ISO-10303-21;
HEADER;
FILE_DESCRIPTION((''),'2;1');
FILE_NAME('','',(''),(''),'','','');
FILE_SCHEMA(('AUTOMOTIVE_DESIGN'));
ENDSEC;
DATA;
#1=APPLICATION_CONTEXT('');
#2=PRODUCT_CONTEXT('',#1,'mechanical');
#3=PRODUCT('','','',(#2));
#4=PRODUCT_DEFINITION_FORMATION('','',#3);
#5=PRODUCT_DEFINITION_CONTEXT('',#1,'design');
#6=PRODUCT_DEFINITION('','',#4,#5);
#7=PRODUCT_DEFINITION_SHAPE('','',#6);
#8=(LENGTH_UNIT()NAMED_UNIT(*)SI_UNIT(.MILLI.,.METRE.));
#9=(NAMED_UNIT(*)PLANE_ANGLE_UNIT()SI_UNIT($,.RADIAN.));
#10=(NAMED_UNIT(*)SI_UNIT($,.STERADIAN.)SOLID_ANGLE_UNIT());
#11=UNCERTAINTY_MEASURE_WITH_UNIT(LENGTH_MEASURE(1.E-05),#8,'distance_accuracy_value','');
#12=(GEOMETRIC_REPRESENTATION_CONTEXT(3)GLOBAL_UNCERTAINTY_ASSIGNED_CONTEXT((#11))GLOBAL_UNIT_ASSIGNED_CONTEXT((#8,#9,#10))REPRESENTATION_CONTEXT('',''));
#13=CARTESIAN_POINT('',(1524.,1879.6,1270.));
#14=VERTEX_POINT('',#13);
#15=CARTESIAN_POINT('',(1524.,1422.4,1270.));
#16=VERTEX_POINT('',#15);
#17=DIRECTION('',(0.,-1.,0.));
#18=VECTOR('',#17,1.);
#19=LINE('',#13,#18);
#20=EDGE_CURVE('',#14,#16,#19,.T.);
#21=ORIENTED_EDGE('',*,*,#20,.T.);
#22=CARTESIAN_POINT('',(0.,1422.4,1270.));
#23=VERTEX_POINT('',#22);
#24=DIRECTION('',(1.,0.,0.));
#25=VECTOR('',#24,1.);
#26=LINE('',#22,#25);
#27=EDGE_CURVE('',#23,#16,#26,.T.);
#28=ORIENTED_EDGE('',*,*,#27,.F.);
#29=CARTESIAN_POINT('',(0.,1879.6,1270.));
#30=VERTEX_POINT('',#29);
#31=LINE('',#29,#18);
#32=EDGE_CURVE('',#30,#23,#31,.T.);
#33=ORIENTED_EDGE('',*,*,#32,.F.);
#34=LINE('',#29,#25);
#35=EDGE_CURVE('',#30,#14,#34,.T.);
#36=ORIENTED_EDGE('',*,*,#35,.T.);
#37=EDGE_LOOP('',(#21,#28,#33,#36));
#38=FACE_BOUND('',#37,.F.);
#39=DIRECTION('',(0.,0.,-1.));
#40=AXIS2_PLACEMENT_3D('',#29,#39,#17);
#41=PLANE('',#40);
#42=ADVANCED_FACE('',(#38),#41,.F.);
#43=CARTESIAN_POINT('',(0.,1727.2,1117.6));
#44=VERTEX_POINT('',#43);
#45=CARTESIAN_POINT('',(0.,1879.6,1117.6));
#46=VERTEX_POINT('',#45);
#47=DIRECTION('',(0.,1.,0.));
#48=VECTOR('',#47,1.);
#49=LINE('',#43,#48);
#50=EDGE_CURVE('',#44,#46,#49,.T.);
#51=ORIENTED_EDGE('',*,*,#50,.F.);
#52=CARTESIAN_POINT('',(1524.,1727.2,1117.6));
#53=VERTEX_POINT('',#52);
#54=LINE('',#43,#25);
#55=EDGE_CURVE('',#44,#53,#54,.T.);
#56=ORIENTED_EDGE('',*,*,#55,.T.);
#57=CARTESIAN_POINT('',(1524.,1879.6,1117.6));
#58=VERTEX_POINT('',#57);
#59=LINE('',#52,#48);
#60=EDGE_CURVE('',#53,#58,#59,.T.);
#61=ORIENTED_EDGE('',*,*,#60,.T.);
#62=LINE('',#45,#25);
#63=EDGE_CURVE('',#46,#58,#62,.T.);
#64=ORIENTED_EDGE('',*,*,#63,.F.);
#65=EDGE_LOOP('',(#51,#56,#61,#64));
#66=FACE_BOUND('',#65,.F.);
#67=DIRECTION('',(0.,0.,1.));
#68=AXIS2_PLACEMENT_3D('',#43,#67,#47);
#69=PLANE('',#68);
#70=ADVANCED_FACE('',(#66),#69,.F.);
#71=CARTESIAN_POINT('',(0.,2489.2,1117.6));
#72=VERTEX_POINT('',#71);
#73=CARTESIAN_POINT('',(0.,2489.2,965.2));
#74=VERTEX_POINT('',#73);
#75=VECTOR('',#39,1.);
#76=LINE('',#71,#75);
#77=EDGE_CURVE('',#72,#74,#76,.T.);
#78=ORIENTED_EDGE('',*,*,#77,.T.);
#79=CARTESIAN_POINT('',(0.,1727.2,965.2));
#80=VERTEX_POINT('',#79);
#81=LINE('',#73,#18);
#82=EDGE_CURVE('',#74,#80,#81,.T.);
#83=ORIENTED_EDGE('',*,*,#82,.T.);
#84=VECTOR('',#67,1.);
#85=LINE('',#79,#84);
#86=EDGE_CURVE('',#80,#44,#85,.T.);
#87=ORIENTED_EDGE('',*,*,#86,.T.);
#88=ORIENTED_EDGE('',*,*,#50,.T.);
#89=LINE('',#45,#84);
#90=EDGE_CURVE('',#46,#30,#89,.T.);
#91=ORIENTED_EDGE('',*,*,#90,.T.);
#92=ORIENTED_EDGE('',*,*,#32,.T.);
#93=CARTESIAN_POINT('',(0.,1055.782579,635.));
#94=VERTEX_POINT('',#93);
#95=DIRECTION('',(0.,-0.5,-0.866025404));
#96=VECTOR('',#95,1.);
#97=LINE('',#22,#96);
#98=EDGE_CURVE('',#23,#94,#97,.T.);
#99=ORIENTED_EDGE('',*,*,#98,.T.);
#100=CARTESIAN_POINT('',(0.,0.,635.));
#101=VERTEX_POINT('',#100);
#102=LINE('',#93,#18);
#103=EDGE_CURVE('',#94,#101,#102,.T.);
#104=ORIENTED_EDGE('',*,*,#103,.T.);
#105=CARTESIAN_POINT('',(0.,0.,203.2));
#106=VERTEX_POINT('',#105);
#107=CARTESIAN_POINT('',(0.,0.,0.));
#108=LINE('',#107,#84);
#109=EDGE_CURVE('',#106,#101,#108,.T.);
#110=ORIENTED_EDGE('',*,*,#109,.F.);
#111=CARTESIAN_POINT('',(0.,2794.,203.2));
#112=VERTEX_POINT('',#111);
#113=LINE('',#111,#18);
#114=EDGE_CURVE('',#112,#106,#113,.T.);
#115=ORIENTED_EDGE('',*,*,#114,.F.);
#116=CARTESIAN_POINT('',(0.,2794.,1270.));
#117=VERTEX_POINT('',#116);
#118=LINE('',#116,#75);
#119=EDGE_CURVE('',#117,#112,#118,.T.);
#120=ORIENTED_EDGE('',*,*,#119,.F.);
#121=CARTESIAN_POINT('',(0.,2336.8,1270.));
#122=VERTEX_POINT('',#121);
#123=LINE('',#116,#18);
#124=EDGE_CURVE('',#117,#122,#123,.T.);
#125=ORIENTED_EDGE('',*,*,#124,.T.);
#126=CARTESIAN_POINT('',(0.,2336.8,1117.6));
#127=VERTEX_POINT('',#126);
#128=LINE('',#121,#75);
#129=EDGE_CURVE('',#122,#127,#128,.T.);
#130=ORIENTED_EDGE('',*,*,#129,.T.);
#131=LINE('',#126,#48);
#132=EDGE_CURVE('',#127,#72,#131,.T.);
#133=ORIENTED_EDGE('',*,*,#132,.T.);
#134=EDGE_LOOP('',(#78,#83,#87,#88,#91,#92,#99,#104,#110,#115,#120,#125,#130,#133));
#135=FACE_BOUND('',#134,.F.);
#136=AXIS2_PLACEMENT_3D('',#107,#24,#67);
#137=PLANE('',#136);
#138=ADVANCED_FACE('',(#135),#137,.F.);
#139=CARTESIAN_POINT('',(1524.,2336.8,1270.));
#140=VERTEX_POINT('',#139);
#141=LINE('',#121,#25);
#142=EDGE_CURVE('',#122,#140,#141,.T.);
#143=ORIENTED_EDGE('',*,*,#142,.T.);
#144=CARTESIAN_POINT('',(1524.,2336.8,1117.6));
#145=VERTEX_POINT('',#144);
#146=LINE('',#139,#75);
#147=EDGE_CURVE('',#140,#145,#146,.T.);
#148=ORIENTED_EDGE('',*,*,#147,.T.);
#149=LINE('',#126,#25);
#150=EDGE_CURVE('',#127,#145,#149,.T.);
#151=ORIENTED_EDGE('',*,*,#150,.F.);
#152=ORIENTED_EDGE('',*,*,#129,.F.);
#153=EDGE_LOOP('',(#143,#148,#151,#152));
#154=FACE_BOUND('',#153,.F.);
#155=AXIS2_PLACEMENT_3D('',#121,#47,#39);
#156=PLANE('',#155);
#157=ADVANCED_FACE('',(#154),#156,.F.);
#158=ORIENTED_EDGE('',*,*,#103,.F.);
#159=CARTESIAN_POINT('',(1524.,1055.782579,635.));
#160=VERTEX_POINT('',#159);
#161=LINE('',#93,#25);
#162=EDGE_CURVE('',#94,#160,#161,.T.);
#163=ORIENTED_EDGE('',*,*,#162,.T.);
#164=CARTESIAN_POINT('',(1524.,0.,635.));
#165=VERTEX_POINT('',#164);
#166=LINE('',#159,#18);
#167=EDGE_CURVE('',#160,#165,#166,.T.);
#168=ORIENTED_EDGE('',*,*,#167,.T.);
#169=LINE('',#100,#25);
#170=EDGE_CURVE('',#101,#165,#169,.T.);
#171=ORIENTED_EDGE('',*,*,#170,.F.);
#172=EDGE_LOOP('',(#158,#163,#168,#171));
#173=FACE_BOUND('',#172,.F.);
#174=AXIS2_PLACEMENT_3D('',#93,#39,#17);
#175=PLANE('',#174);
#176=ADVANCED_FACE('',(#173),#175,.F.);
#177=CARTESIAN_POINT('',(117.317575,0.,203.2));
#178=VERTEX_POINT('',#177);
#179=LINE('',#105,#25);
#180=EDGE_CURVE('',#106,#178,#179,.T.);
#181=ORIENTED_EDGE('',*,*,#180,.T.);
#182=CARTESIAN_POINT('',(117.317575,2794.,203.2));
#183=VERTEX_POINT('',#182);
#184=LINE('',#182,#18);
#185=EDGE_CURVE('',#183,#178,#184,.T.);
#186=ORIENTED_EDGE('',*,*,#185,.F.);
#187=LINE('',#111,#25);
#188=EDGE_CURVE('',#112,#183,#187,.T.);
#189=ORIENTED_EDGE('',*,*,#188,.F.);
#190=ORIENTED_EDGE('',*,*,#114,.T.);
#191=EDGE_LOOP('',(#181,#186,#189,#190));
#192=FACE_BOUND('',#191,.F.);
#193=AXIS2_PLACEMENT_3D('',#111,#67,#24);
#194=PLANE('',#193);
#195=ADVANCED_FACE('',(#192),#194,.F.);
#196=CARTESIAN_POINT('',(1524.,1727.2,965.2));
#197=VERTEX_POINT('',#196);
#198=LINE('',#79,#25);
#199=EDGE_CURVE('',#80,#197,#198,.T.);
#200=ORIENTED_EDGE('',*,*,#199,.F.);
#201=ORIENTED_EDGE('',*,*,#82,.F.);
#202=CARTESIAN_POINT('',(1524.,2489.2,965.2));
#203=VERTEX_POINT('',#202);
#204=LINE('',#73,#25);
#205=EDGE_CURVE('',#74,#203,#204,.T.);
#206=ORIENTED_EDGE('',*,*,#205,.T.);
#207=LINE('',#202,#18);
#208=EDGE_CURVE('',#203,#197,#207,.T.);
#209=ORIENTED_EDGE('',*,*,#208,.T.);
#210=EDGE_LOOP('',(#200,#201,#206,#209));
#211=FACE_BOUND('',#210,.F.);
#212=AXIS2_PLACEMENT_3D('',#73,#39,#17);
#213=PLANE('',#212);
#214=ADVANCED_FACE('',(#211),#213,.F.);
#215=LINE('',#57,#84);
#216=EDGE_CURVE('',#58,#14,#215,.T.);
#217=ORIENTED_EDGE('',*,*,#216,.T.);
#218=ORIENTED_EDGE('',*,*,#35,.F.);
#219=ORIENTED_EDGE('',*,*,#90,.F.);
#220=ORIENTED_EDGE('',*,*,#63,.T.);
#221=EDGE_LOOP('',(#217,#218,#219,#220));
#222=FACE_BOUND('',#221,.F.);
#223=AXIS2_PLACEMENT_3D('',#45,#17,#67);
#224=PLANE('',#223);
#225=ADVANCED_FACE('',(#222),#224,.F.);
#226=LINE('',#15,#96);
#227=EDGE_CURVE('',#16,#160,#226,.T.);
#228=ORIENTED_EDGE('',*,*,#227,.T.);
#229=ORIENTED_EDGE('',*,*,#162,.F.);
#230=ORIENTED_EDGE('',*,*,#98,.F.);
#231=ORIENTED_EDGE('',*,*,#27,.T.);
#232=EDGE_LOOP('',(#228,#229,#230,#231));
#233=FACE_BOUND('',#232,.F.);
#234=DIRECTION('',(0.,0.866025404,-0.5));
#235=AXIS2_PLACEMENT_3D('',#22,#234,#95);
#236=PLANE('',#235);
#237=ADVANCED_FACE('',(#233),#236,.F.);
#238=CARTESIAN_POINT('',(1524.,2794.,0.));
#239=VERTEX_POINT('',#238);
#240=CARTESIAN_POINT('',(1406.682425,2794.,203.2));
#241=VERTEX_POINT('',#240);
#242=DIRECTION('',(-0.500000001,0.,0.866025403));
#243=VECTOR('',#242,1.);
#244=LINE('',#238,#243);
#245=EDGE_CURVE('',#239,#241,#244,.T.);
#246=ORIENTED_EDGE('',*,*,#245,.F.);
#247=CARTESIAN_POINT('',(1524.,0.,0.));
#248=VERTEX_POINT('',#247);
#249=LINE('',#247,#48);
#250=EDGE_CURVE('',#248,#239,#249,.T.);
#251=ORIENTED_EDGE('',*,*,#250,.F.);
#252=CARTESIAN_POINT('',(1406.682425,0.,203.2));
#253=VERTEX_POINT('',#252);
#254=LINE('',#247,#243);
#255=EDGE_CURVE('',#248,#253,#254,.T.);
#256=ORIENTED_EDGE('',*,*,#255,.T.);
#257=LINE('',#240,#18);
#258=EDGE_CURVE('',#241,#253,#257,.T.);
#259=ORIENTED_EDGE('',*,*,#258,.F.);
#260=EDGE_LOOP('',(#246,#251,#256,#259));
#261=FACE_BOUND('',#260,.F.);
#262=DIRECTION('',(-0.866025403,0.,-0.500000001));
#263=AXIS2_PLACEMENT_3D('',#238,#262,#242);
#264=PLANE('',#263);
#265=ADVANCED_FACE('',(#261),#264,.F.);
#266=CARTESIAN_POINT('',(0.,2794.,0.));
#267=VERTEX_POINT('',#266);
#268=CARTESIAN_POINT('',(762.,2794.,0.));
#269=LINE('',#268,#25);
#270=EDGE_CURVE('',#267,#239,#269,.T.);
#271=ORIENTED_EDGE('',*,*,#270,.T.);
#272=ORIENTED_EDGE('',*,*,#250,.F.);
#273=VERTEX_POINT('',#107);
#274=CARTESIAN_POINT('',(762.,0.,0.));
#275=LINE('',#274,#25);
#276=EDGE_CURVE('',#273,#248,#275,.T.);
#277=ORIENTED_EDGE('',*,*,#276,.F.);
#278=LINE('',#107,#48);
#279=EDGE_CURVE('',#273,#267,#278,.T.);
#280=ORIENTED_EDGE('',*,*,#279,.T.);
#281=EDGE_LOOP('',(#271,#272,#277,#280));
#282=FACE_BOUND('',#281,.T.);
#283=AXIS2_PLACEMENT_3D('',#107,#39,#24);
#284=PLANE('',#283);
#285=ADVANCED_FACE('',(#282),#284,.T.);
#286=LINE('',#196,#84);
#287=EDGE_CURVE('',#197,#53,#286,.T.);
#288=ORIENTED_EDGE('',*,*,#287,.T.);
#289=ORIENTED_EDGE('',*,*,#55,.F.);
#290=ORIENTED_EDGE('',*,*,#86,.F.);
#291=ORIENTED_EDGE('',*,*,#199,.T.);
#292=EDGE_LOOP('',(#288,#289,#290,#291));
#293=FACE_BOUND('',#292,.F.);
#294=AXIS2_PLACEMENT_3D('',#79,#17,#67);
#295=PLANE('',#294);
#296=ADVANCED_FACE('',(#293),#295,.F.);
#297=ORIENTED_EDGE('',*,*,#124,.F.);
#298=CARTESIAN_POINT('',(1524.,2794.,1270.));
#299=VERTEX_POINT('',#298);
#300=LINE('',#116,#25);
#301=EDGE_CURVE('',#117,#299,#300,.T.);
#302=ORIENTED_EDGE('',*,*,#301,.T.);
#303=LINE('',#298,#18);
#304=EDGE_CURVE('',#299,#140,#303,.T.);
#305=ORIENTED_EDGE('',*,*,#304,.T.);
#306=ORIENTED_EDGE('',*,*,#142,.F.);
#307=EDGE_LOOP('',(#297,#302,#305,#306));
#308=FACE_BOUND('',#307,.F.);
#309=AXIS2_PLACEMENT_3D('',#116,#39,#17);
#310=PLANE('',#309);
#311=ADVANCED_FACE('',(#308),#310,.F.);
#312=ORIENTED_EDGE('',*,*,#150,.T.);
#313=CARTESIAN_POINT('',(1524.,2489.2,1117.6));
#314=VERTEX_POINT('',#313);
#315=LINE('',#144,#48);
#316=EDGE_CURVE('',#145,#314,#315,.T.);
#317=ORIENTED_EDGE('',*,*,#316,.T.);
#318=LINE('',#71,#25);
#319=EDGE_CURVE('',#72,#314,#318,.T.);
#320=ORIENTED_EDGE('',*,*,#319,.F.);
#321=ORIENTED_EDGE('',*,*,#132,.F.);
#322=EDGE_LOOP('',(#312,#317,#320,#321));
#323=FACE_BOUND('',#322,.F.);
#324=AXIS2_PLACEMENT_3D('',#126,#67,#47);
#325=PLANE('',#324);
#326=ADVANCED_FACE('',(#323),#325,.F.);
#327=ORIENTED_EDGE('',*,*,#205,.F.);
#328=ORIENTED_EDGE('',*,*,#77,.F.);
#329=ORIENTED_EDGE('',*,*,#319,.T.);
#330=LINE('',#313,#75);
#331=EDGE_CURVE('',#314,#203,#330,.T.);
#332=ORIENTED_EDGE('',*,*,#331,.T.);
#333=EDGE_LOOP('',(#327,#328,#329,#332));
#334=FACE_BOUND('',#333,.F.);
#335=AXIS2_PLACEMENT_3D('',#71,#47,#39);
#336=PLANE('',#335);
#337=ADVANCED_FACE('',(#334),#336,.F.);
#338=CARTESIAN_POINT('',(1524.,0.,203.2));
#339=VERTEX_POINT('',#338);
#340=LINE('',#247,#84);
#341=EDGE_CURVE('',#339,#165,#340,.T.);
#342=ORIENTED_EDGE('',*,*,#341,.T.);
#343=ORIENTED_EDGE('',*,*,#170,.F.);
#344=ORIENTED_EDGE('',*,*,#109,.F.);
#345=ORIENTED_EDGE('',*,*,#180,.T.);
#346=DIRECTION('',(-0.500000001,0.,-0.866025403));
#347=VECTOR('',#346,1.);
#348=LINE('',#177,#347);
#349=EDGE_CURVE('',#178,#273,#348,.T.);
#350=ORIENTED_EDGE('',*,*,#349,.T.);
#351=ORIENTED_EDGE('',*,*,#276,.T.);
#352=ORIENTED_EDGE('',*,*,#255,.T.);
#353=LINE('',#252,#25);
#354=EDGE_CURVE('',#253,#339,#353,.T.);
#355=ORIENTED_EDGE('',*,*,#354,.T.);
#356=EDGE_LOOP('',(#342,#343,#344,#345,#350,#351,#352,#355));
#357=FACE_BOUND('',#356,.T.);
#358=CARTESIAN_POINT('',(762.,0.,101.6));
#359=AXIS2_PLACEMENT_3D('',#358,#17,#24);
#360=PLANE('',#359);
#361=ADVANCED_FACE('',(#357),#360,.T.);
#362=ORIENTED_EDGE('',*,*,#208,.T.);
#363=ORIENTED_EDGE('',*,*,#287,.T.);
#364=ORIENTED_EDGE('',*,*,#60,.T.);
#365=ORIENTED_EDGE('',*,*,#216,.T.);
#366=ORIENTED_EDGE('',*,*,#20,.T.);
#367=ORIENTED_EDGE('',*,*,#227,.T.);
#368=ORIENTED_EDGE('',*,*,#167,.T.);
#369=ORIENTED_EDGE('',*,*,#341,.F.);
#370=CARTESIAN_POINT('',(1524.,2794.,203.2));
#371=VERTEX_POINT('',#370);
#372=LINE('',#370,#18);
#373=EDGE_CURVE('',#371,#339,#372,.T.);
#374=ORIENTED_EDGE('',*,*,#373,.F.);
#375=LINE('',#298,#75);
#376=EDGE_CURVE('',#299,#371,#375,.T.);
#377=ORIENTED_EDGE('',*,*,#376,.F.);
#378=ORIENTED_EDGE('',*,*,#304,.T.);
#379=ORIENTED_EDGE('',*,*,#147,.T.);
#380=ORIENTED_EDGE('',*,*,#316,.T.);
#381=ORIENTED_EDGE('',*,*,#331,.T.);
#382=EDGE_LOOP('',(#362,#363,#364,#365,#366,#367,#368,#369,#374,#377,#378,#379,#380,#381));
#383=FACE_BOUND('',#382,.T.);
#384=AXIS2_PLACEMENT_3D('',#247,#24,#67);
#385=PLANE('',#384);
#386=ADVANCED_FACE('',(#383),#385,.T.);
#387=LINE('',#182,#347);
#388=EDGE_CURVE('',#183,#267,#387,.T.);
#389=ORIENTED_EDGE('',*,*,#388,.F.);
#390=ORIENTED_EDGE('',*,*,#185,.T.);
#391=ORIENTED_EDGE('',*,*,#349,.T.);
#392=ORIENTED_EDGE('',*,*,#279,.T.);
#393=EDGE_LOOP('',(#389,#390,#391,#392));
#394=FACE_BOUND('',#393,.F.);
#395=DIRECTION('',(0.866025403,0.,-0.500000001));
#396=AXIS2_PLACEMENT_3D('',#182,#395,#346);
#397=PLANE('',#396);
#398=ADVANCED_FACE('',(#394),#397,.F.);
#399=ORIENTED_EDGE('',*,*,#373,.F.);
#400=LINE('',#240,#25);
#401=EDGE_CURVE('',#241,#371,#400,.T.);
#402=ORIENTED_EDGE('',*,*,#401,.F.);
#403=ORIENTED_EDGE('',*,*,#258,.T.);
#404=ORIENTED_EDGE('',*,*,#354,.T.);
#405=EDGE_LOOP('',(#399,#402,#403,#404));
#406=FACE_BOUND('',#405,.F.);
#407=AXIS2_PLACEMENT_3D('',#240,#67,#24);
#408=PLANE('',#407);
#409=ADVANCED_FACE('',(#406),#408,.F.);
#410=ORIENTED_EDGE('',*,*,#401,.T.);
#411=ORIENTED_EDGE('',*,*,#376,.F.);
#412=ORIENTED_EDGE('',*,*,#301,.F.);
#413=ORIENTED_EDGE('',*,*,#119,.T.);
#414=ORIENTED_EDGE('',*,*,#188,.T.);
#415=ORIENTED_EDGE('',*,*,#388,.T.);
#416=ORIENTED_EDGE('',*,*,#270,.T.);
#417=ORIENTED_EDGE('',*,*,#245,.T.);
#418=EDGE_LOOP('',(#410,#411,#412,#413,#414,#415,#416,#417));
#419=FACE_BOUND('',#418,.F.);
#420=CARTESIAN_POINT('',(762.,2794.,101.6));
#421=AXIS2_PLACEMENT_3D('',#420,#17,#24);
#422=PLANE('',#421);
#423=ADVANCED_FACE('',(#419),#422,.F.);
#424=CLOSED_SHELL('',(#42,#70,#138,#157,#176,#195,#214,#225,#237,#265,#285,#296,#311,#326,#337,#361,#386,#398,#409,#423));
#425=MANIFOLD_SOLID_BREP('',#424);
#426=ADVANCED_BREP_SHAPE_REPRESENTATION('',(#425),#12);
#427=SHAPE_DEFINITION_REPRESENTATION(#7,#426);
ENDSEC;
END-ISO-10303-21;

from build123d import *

# Parameters (mm, degrees)
F1_DEPTH = 1524
F2_W     = 1524
F2_H     = 203.2
F3_DEPTH = 2794
F5_DEPTH = 2794


with BuildPart() as f1:
    # F0 (on Right) → F1 (new body)
    with BuildSketch(Plane.YZ):
        Polygon((0, 635), (0, 203.2), (2794, 203.2), (2794, 1270), (2336.8, 1270), (2336.8, 1117.6), (2489.2, 1117.6), (2489.2, 965.2), (1727.2, 965.2), (1727.2, 1117.6), (1879.6, 1117.6), (1879.6, 1270), (1422.4, 1270), (1055.782579, 635), align=None)
    extrude(amount=F1_DEPTH)

    # F2 (on Front) → F3 (join)
    with BuildSketch(Plane.XZ):
        with Locations((762, 101.6)):
            Rectangle(F2_W, F2_H)
    extrude(amount=-F3_DEPTH)

    # F4 (on face) → F5 (cut)
    with BuildSketch(Plane(origin=(0, 2794, 0), x_dir=(-1, 0, 0), z_dir=(0, 1, 0))):
        Polygon((-1524, 203.2), (-1524, 0), (-1406.682425, 203.2), align=None)
        Polygon((-117.317575, 203.2), (0, 0), (0, 203.2), align=None)
    extrude(amount=-F5_DEPTH, mode=Mode.SUBTRACT)


solid = f1.part
